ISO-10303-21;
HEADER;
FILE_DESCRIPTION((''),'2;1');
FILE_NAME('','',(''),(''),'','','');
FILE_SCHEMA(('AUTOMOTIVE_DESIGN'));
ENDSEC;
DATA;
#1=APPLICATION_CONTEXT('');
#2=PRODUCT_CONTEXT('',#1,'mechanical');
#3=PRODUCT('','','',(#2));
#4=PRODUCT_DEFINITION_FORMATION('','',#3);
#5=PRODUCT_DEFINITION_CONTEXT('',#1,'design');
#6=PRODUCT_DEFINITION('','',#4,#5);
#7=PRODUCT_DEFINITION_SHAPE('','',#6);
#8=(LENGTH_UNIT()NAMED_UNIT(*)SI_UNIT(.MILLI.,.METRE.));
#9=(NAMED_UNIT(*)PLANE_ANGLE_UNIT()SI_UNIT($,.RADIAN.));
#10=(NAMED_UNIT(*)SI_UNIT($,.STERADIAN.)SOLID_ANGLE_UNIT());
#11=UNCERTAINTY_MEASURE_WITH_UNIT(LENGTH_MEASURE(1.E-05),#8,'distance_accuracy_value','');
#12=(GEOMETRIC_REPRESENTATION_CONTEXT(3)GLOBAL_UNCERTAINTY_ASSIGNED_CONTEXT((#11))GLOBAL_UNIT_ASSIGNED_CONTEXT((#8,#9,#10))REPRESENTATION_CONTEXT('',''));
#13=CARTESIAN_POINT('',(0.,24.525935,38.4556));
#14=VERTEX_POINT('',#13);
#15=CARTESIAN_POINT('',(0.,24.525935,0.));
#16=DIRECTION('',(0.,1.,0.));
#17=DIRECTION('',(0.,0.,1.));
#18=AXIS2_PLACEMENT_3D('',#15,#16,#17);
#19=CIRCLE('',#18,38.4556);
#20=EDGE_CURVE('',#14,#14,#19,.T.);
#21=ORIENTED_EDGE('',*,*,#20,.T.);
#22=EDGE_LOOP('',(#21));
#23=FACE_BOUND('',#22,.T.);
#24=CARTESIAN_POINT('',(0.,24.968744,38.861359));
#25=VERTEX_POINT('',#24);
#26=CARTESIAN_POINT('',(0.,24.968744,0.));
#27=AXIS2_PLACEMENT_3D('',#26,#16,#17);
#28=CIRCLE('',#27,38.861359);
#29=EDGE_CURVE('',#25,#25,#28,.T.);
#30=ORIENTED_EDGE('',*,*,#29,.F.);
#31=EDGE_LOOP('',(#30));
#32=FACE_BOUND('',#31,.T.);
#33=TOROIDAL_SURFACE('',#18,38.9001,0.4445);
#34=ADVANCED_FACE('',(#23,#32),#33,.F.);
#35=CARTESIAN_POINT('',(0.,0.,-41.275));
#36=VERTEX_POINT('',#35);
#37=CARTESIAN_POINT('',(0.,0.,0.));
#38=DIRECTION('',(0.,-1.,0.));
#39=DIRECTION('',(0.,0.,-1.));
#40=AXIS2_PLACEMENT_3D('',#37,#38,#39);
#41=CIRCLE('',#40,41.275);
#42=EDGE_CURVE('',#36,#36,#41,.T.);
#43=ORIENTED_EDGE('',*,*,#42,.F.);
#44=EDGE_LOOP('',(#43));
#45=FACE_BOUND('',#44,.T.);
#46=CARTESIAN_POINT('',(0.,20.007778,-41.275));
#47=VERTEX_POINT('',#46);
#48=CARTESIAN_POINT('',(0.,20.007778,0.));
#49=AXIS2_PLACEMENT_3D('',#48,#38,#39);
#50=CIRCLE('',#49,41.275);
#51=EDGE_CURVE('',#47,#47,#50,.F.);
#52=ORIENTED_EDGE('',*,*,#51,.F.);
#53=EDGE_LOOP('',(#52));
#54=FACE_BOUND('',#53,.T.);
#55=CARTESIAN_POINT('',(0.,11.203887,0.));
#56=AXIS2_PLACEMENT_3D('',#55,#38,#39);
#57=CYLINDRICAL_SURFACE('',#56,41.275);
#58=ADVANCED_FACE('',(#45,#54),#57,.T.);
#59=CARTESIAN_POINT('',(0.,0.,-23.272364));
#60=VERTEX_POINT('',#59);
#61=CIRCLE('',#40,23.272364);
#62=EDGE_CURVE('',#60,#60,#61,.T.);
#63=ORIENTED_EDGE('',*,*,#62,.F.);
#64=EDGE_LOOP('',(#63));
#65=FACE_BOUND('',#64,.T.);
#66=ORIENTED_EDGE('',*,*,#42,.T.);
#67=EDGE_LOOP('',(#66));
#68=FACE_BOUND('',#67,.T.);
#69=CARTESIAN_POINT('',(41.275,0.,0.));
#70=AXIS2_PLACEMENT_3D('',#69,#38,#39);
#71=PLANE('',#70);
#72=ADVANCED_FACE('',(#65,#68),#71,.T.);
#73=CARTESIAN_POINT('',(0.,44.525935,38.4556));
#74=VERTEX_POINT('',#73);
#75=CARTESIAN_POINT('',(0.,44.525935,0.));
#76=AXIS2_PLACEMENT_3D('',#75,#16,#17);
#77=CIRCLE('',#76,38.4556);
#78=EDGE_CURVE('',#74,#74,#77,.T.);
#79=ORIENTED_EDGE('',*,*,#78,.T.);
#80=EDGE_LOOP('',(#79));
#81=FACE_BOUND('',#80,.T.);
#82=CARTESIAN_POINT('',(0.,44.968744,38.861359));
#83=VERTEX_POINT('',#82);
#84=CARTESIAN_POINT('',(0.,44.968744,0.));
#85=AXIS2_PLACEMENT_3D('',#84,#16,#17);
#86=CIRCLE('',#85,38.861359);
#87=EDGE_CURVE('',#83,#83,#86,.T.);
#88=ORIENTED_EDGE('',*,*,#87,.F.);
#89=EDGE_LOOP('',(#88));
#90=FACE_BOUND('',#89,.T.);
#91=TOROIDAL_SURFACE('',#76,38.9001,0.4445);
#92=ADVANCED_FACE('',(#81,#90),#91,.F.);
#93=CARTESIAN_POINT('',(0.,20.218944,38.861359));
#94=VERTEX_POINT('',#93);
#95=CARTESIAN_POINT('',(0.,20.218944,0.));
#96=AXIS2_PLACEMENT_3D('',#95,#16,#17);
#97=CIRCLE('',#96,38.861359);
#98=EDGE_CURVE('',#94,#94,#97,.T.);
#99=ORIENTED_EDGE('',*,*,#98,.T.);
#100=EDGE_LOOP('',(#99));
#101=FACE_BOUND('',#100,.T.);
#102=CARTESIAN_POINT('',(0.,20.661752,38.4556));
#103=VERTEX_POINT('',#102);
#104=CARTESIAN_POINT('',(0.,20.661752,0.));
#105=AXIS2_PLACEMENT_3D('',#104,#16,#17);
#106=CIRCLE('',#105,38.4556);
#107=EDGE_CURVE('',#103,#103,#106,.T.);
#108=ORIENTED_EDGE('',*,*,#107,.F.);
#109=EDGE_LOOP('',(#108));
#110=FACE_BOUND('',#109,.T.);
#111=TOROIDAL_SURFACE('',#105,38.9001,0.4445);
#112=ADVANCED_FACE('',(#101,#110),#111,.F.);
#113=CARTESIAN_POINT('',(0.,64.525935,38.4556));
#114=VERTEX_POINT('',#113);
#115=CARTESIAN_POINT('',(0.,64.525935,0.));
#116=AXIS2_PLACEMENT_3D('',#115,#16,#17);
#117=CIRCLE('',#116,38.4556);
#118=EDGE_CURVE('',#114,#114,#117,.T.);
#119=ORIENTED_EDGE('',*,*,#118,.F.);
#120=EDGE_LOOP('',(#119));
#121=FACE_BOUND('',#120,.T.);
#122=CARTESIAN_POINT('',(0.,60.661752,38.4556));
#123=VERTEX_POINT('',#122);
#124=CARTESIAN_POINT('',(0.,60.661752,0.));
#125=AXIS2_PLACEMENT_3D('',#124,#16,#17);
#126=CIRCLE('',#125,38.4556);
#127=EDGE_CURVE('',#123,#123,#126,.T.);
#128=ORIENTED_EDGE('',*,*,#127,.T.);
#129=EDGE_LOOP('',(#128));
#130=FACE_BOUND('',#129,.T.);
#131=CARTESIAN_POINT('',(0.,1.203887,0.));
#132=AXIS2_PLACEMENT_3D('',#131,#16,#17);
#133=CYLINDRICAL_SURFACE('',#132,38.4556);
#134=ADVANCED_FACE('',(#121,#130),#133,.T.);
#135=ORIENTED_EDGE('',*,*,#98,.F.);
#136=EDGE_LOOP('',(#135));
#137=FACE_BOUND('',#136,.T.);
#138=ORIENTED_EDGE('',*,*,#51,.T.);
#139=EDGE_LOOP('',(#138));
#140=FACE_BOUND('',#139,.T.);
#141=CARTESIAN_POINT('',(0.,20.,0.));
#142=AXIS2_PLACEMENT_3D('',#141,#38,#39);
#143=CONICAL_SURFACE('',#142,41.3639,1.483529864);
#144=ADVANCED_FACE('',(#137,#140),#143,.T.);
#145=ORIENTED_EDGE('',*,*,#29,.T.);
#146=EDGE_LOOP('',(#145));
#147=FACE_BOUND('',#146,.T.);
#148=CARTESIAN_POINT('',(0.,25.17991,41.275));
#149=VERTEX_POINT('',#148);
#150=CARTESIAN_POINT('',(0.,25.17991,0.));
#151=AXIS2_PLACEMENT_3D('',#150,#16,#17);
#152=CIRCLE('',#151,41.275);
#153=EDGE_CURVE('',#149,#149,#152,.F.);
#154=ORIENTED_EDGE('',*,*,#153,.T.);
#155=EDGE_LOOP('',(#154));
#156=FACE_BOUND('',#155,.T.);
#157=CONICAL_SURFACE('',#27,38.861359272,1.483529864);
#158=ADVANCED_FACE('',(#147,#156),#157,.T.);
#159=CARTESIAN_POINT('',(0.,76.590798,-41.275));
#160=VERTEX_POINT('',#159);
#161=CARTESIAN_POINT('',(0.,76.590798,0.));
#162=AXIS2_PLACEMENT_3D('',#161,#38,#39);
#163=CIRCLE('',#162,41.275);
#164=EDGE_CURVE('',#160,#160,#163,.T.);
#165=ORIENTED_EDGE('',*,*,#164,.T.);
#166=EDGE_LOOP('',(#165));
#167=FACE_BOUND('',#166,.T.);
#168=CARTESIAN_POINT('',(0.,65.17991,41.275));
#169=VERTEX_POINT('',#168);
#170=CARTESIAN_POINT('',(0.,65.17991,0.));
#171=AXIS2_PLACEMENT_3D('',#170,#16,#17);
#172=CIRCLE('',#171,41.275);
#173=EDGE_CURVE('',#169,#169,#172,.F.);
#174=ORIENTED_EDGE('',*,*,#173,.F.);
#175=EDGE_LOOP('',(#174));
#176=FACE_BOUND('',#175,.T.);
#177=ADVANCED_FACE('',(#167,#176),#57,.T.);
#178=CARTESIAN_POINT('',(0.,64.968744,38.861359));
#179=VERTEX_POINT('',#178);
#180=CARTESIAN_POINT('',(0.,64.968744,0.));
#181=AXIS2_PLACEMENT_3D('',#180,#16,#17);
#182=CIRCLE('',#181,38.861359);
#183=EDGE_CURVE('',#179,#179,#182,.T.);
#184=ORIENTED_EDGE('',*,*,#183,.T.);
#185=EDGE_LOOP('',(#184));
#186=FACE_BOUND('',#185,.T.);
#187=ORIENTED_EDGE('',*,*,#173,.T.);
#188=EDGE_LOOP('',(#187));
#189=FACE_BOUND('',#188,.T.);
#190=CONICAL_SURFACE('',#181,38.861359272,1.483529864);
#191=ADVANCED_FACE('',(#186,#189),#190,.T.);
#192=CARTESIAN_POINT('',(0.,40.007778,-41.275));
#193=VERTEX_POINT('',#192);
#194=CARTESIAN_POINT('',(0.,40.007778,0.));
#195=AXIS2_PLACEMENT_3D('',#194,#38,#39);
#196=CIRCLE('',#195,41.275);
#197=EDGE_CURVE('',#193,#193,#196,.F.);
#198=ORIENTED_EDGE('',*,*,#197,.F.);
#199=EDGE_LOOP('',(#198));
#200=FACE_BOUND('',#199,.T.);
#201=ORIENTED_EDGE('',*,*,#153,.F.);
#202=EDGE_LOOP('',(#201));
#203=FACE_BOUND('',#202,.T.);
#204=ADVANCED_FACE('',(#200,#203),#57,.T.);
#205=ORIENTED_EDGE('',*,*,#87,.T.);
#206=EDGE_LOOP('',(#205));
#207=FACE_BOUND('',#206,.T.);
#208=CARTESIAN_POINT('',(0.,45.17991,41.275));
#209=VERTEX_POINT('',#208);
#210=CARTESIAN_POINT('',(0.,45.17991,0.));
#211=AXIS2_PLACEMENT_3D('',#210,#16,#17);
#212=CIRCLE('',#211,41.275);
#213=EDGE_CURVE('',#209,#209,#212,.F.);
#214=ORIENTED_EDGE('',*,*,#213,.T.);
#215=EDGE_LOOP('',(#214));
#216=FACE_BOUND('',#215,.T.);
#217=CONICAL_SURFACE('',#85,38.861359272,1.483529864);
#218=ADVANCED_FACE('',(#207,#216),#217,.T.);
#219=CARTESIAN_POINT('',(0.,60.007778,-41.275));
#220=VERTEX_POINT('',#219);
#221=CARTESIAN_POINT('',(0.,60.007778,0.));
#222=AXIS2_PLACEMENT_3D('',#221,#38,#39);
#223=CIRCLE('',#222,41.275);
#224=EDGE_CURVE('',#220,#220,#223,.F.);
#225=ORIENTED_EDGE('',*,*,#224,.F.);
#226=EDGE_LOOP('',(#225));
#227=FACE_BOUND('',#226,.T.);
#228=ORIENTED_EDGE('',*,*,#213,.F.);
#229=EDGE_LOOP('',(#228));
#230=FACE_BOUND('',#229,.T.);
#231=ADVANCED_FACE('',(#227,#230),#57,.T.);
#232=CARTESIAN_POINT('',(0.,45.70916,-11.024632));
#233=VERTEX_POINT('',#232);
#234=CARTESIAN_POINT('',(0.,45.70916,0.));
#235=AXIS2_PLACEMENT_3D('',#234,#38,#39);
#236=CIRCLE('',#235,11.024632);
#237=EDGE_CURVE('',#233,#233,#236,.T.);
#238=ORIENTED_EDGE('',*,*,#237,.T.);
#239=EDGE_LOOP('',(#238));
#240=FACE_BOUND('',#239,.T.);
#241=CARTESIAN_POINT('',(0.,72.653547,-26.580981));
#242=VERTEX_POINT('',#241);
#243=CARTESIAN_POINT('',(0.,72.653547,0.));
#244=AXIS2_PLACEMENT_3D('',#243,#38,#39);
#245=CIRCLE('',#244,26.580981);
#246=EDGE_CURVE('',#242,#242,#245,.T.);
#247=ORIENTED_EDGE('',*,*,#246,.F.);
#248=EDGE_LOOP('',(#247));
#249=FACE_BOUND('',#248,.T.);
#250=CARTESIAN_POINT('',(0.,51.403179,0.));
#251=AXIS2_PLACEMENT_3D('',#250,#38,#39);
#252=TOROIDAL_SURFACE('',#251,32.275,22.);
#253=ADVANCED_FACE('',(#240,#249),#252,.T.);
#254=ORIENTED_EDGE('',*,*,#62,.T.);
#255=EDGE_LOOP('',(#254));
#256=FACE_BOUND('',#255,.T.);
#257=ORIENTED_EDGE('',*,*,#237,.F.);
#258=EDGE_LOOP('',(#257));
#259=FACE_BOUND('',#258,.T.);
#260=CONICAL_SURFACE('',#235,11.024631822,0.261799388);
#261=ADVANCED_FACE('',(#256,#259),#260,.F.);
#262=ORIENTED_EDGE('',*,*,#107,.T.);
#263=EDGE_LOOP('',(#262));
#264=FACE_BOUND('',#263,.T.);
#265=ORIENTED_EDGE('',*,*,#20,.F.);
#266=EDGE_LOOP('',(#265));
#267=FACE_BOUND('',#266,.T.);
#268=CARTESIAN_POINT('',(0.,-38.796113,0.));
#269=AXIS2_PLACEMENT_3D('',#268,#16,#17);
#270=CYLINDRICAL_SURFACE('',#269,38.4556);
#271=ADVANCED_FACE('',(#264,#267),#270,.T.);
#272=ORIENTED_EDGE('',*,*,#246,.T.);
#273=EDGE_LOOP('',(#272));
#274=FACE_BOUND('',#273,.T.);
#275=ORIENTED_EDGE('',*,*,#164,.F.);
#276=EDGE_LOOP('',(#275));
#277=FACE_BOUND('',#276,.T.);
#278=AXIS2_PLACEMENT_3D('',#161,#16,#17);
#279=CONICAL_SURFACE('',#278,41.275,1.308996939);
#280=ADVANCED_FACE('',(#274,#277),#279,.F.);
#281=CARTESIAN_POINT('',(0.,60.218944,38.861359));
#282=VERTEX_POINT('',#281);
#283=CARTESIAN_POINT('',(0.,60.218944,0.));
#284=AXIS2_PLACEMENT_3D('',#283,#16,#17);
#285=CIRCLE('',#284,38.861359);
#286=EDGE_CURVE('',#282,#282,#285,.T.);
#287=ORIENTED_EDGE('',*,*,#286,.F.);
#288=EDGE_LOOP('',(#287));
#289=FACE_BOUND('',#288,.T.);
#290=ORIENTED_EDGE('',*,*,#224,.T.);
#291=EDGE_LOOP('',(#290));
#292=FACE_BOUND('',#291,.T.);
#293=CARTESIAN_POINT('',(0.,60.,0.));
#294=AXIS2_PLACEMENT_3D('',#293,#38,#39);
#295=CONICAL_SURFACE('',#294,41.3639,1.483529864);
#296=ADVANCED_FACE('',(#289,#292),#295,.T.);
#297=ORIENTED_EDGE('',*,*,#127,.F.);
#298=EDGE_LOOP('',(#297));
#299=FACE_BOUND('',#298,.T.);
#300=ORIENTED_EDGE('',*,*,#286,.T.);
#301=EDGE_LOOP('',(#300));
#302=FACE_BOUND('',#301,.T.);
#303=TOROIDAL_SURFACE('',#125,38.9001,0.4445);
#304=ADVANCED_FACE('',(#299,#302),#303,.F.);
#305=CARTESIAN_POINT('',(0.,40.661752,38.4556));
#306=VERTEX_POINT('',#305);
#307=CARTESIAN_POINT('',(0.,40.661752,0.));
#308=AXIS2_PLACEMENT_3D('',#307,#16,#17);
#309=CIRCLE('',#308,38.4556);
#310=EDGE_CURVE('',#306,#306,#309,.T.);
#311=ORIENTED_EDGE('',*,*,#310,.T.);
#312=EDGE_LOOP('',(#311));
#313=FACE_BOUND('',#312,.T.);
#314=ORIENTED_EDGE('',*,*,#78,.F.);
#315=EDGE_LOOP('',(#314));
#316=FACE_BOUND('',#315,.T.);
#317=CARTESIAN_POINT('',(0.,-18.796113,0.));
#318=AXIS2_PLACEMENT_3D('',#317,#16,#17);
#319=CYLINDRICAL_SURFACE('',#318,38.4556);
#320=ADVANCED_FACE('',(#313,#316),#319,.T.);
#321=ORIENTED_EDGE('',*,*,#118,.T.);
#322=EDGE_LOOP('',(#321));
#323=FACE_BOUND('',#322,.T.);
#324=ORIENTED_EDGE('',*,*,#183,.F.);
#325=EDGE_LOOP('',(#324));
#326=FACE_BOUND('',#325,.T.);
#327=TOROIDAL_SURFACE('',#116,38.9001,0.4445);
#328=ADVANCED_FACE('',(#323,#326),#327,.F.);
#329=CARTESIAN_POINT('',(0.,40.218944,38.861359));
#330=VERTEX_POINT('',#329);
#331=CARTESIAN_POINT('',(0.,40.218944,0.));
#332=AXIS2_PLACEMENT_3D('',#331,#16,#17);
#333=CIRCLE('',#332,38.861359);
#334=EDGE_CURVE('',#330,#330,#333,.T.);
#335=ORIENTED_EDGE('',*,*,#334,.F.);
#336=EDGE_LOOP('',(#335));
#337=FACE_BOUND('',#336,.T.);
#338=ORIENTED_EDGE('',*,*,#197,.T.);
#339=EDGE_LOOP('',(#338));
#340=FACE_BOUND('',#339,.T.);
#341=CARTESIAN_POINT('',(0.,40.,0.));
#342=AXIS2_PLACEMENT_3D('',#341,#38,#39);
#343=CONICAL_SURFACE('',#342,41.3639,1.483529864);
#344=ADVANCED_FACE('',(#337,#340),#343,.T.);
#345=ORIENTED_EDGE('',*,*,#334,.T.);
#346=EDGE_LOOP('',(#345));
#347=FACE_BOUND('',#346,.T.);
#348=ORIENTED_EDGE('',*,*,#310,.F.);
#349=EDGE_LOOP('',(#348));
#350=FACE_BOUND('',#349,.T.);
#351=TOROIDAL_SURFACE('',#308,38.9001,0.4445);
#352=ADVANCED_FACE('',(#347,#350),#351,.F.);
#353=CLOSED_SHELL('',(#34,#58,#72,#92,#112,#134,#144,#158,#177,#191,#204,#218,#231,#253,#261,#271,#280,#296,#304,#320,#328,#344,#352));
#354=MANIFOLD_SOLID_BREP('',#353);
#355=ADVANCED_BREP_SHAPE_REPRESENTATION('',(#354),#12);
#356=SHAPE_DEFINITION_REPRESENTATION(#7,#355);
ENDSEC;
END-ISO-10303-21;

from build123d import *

# Parameters (mm, degrees)
LPATTERN1_COUNT = 3
LPATTERN1_PITCH = 20


with BuildPart() as part:
    # Sketch1 → Revolve1 (revolve)
    with BuildSketch(Plane.XY):
        with BuildLine():
            Line((41.275, 76.590797617), (41.275, 0))
            Line((41.275, 0), (23.27236431, 0))
            Line((23.27236431, 0), (11.024631822, 45.709159924))
            ThreePointArc((11.024631822, 45.709159924), (13.222441117, 62.403178916), (26.580981008, 72.653547095))
            Line((26.580981008, 72.653547095), (41.275, 76.590797617))
        make_face()
    revolve(axis=Axis((0, 11.203886574, 0), (0, 1, 0)))

    # Sketch3 → Groove for AS 568-234, O-Ring1 (revolve, cut)
    with BuildSketch(Plane(origin=(0, 11.203886574, 0), x_dir=(0, 0, -1), z_dir=(-1, 0, 0))):
        with BuildLine():
            Line((38.861359272, -9.01505737), (41.3639, -8.796113426))
            Line((41.3639, -8.796113426), (41.3639, -13.983801313))
            Line((41.3639, -13.983801313), (38.861359272, -13.76485737))
            ThreePointArc((38.861359272, -13.76485737), (38.572380224, -13.622348674), (38.4556, -13.322048826))
            Line((38.4556, -13.322048826), (38.4556, -9.457865913))
            ThreePointArc((38.4556, -9.457865913), (38.572380224, -9.157566066), (38.861359272, -9.01505737))
        make_face()
    groove_for_as_568_234_o_ring1 = revolve(axis=Axis((0, -38.796113426, 0), (0, 1, 0)), mode=Mode.SUBTRACT)

    # LPattern1: Groove for AS 568-234, O-Ring1 ×3
    with Locations(*[(0, i * LPATTERN1_PITCH, 0) for i in range(1, LPATTERN1_COUNT)]):
        add(groove_for_as_568_234_o_ring1, mode=Mode.SUBTRACT)


solid = part.part
